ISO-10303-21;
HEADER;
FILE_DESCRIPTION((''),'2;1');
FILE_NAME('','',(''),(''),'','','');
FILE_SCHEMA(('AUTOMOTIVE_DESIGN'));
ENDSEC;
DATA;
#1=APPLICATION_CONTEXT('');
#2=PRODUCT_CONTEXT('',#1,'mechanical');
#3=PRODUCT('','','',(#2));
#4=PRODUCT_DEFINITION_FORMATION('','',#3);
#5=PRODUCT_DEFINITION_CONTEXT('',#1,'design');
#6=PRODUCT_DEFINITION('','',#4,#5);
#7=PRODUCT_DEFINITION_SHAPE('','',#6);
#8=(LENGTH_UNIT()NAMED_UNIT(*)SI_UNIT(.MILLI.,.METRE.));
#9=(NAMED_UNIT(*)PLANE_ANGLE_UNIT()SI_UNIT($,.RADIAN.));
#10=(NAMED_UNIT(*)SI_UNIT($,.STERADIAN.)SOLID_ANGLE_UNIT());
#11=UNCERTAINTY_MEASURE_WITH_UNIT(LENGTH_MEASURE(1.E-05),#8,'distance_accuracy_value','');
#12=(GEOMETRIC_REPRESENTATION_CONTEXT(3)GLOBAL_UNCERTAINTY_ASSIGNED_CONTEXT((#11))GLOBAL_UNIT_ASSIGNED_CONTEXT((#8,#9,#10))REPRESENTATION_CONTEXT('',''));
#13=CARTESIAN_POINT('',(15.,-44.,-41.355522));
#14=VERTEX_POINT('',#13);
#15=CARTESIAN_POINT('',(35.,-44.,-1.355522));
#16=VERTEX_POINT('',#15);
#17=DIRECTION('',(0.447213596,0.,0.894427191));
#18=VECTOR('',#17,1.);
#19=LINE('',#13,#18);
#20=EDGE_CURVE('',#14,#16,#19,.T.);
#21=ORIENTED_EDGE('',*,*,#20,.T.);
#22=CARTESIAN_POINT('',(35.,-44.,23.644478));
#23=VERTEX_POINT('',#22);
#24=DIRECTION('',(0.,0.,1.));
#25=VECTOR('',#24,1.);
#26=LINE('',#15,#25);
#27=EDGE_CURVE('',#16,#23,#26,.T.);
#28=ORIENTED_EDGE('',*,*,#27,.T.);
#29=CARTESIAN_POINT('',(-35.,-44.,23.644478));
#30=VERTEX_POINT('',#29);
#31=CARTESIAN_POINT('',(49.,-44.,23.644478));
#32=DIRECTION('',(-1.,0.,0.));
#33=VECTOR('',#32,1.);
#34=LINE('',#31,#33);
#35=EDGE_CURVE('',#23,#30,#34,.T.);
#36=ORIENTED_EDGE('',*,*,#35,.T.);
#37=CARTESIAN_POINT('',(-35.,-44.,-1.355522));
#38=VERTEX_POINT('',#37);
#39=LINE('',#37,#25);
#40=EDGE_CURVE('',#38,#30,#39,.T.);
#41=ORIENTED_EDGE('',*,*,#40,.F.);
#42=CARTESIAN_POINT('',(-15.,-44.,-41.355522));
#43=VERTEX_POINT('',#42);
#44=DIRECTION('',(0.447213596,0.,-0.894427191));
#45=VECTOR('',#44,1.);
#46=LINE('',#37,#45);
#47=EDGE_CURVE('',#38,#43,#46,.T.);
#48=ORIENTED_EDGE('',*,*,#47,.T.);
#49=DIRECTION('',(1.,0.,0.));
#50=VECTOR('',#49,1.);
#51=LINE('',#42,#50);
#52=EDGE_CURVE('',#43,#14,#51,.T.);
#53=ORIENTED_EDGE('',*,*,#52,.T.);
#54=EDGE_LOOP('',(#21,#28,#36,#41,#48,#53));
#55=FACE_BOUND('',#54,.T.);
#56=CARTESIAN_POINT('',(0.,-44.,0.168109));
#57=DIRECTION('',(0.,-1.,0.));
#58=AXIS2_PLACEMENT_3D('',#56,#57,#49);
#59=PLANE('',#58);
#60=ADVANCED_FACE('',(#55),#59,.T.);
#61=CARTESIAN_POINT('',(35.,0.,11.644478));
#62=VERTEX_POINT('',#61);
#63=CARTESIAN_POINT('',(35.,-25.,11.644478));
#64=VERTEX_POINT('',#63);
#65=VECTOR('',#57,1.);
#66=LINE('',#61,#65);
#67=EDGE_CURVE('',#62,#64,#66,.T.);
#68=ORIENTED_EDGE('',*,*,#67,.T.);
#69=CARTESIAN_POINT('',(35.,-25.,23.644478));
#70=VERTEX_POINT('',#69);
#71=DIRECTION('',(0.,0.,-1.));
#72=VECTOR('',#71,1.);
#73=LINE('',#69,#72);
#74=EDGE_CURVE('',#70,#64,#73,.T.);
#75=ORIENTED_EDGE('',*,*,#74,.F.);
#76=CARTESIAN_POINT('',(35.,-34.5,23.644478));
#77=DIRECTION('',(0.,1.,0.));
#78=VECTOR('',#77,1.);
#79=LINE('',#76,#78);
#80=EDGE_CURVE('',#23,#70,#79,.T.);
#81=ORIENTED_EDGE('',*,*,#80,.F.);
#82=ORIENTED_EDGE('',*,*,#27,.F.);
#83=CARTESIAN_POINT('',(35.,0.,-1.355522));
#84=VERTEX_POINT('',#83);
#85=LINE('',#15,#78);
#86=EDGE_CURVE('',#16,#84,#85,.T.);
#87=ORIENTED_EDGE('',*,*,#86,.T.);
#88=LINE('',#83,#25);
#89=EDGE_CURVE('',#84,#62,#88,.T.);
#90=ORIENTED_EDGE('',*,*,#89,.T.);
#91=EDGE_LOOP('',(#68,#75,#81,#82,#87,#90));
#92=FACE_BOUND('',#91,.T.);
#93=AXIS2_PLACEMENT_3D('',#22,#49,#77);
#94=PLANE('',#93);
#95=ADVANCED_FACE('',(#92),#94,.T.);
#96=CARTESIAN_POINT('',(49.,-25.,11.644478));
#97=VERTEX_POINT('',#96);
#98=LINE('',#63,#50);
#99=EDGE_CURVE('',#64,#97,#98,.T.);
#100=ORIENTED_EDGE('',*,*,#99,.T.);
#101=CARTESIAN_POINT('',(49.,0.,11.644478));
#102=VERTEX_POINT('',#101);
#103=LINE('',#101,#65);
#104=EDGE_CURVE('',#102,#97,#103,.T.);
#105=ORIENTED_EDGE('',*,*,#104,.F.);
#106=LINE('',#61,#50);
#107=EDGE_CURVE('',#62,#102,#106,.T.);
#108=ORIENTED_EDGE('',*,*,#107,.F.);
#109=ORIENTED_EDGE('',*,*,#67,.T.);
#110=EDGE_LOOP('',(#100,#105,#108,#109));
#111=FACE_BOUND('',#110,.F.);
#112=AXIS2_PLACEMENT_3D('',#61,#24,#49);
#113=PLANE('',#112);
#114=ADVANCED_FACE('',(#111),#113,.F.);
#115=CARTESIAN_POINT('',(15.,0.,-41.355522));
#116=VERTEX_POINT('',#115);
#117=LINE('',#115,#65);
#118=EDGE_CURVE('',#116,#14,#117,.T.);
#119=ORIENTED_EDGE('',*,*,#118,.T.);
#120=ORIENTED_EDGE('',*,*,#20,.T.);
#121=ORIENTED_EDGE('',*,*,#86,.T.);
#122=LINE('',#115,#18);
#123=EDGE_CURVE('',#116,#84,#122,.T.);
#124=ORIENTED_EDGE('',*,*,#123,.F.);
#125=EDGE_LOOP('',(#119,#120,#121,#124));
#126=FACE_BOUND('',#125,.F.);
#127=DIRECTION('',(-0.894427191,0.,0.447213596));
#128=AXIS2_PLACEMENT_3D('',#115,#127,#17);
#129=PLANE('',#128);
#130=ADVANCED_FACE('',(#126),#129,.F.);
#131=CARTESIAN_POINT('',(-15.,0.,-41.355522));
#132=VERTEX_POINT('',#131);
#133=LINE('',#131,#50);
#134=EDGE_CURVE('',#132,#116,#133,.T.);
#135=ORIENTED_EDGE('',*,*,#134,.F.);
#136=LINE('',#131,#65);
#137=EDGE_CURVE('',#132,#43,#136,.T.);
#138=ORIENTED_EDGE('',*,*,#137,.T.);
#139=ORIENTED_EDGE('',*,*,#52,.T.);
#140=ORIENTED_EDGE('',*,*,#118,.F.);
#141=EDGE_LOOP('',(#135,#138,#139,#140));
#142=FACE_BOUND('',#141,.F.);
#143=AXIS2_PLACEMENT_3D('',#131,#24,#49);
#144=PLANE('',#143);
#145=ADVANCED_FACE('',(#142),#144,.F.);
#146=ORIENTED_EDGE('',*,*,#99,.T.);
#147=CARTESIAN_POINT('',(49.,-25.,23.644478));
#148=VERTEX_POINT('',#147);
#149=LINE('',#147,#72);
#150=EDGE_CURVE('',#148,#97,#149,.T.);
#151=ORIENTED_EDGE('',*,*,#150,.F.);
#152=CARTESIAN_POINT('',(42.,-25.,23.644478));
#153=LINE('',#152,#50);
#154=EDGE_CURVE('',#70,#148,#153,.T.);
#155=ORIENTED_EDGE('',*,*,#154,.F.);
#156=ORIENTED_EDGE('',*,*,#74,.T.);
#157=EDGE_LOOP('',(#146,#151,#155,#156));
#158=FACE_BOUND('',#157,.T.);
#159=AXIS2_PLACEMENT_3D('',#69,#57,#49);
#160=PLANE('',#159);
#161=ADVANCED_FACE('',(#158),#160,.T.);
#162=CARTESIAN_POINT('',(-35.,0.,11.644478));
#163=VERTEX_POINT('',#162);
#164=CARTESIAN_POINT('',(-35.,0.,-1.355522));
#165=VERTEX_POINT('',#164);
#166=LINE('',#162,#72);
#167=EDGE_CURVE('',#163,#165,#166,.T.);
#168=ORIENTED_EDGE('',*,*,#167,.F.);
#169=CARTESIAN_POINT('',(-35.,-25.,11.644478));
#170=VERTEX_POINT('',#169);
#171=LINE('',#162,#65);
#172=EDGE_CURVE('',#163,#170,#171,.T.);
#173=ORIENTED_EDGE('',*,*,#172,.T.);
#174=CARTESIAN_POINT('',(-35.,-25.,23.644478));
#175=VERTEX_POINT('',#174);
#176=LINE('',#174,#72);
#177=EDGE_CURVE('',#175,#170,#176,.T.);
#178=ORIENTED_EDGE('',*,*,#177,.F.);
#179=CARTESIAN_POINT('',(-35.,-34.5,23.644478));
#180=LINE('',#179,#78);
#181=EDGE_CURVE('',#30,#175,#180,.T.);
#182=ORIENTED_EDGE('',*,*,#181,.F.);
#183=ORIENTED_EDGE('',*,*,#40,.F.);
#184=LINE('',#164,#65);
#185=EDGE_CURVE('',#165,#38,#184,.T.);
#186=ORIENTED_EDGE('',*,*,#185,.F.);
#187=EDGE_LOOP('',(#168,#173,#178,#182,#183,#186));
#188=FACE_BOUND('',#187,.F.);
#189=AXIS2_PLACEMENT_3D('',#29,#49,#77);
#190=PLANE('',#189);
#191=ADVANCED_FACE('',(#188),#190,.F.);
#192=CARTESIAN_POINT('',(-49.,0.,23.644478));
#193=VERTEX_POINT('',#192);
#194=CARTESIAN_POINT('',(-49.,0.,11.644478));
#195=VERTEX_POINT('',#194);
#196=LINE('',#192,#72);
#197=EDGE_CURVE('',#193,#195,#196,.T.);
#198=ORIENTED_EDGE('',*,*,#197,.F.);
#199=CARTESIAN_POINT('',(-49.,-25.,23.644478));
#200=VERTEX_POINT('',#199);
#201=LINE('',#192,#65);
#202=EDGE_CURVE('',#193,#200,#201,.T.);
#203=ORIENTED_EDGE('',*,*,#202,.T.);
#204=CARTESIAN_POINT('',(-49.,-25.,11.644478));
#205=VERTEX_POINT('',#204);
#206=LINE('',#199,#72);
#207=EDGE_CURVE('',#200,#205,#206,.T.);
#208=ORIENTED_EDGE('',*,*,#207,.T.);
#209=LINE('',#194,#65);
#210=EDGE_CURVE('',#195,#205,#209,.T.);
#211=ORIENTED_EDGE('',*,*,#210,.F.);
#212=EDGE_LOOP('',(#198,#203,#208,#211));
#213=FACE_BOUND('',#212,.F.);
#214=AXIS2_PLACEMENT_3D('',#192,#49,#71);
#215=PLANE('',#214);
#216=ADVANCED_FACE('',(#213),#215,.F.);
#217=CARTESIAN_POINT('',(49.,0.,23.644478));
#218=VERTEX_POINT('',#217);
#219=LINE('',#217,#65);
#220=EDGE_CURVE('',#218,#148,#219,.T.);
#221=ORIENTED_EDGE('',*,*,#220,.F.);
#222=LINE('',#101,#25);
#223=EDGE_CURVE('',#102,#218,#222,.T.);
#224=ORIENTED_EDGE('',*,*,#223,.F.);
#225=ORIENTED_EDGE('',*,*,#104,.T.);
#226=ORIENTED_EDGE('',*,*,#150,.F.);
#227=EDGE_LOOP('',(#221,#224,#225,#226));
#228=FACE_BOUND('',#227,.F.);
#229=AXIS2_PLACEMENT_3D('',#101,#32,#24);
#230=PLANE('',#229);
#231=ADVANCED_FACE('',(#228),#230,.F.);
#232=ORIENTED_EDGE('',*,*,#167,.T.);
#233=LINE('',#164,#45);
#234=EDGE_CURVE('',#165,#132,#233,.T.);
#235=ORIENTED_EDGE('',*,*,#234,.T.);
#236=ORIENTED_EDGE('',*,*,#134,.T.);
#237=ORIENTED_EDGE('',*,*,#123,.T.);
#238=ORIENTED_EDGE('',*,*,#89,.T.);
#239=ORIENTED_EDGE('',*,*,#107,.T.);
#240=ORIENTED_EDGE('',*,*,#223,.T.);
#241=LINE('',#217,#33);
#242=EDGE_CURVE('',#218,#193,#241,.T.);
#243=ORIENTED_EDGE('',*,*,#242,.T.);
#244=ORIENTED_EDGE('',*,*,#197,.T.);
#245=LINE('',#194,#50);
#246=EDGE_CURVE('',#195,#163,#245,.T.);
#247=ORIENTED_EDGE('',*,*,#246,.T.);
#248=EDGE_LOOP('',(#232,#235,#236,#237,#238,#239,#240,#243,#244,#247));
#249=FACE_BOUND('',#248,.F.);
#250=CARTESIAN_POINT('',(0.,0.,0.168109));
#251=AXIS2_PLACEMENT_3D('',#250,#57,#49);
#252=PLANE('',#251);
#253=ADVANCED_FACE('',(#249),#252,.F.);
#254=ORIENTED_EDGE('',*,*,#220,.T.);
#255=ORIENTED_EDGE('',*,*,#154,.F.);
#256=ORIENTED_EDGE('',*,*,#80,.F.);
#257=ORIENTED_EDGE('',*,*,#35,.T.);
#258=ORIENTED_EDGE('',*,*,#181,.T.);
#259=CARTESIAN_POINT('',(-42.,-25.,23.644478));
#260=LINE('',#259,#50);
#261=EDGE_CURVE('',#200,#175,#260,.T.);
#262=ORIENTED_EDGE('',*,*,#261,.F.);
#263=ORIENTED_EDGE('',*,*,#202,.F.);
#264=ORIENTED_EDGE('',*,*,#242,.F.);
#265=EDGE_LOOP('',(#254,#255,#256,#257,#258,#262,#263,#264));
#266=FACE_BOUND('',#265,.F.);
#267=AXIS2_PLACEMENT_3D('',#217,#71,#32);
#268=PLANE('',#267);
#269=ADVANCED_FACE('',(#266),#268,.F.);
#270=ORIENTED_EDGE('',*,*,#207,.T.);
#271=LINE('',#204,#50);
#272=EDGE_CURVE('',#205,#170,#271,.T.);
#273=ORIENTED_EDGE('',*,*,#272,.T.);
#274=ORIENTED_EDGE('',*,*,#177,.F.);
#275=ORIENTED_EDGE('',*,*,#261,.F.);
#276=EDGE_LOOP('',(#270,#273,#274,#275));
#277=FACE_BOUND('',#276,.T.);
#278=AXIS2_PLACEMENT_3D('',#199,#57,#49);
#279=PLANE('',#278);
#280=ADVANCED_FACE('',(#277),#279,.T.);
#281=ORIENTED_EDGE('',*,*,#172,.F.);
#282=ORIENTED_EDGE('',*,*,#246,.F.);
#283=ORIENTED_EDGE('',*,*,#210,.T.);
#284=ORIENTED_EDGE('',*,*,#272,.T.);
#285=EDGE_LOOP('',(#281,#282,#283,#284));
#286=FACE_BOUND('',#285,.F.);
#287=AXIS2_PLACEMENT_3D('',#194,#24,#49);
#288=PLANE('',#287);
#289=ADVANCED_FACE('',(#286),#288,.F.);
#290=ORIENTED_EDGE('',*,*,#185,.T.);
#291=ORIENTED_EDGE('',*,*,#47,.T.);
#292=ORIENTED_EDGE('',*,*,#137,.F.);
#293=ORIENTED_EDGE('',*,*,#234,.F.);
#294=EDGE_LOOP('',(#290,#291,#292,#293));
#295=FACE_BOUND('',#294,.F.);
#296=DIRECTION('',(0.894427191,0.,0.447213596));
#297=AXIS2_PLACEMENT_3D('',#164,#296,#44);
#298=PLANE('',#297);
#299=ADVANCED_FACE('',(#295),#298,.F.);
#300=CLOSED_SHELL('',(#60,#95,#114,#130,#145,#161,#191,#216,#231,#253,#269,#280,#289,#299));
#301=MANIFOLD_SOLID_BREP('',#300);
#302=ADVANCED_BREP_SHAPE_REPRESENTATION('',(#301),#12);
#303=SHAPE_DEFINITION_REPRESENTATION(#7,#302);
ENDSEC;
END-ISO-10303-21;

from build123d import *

# Parameters (mm, degrees)
F1_DEPTH = 44
F2_W     = 14
F2_H     = 19
F3_DEPTH = 65.001


with BuildPart() as f1:
    # F0 (on Front) → F1 (new body)
    with BuildSketch(Plane.XZ):
        Polygon((49, 23.644478), (-49, 23.644478), (-49, 11.644478), (-35, 11.644478), (-35, -1.355522), (-15, -41.355522), (15, -41.355522), (35, -1.355522), (35, 11.644478), (49, 11.644478), align=None)
    extrude(amount=F1_DEPTH)

    # F2 (on face) → F3 (cut, through all)
    with BuildSketch(Plane.XY.offset(23.644478)):
        with Locations((42, -34.5)):
            Rectangle(F2_W, F2_H)
        with Locations((-42, -34.5)):
            Rectangle(F2_W, F2_H)
    extrude(amount=-F3_DEPTH, mode=Mode.SUBTRACT)


solid = f1.part
